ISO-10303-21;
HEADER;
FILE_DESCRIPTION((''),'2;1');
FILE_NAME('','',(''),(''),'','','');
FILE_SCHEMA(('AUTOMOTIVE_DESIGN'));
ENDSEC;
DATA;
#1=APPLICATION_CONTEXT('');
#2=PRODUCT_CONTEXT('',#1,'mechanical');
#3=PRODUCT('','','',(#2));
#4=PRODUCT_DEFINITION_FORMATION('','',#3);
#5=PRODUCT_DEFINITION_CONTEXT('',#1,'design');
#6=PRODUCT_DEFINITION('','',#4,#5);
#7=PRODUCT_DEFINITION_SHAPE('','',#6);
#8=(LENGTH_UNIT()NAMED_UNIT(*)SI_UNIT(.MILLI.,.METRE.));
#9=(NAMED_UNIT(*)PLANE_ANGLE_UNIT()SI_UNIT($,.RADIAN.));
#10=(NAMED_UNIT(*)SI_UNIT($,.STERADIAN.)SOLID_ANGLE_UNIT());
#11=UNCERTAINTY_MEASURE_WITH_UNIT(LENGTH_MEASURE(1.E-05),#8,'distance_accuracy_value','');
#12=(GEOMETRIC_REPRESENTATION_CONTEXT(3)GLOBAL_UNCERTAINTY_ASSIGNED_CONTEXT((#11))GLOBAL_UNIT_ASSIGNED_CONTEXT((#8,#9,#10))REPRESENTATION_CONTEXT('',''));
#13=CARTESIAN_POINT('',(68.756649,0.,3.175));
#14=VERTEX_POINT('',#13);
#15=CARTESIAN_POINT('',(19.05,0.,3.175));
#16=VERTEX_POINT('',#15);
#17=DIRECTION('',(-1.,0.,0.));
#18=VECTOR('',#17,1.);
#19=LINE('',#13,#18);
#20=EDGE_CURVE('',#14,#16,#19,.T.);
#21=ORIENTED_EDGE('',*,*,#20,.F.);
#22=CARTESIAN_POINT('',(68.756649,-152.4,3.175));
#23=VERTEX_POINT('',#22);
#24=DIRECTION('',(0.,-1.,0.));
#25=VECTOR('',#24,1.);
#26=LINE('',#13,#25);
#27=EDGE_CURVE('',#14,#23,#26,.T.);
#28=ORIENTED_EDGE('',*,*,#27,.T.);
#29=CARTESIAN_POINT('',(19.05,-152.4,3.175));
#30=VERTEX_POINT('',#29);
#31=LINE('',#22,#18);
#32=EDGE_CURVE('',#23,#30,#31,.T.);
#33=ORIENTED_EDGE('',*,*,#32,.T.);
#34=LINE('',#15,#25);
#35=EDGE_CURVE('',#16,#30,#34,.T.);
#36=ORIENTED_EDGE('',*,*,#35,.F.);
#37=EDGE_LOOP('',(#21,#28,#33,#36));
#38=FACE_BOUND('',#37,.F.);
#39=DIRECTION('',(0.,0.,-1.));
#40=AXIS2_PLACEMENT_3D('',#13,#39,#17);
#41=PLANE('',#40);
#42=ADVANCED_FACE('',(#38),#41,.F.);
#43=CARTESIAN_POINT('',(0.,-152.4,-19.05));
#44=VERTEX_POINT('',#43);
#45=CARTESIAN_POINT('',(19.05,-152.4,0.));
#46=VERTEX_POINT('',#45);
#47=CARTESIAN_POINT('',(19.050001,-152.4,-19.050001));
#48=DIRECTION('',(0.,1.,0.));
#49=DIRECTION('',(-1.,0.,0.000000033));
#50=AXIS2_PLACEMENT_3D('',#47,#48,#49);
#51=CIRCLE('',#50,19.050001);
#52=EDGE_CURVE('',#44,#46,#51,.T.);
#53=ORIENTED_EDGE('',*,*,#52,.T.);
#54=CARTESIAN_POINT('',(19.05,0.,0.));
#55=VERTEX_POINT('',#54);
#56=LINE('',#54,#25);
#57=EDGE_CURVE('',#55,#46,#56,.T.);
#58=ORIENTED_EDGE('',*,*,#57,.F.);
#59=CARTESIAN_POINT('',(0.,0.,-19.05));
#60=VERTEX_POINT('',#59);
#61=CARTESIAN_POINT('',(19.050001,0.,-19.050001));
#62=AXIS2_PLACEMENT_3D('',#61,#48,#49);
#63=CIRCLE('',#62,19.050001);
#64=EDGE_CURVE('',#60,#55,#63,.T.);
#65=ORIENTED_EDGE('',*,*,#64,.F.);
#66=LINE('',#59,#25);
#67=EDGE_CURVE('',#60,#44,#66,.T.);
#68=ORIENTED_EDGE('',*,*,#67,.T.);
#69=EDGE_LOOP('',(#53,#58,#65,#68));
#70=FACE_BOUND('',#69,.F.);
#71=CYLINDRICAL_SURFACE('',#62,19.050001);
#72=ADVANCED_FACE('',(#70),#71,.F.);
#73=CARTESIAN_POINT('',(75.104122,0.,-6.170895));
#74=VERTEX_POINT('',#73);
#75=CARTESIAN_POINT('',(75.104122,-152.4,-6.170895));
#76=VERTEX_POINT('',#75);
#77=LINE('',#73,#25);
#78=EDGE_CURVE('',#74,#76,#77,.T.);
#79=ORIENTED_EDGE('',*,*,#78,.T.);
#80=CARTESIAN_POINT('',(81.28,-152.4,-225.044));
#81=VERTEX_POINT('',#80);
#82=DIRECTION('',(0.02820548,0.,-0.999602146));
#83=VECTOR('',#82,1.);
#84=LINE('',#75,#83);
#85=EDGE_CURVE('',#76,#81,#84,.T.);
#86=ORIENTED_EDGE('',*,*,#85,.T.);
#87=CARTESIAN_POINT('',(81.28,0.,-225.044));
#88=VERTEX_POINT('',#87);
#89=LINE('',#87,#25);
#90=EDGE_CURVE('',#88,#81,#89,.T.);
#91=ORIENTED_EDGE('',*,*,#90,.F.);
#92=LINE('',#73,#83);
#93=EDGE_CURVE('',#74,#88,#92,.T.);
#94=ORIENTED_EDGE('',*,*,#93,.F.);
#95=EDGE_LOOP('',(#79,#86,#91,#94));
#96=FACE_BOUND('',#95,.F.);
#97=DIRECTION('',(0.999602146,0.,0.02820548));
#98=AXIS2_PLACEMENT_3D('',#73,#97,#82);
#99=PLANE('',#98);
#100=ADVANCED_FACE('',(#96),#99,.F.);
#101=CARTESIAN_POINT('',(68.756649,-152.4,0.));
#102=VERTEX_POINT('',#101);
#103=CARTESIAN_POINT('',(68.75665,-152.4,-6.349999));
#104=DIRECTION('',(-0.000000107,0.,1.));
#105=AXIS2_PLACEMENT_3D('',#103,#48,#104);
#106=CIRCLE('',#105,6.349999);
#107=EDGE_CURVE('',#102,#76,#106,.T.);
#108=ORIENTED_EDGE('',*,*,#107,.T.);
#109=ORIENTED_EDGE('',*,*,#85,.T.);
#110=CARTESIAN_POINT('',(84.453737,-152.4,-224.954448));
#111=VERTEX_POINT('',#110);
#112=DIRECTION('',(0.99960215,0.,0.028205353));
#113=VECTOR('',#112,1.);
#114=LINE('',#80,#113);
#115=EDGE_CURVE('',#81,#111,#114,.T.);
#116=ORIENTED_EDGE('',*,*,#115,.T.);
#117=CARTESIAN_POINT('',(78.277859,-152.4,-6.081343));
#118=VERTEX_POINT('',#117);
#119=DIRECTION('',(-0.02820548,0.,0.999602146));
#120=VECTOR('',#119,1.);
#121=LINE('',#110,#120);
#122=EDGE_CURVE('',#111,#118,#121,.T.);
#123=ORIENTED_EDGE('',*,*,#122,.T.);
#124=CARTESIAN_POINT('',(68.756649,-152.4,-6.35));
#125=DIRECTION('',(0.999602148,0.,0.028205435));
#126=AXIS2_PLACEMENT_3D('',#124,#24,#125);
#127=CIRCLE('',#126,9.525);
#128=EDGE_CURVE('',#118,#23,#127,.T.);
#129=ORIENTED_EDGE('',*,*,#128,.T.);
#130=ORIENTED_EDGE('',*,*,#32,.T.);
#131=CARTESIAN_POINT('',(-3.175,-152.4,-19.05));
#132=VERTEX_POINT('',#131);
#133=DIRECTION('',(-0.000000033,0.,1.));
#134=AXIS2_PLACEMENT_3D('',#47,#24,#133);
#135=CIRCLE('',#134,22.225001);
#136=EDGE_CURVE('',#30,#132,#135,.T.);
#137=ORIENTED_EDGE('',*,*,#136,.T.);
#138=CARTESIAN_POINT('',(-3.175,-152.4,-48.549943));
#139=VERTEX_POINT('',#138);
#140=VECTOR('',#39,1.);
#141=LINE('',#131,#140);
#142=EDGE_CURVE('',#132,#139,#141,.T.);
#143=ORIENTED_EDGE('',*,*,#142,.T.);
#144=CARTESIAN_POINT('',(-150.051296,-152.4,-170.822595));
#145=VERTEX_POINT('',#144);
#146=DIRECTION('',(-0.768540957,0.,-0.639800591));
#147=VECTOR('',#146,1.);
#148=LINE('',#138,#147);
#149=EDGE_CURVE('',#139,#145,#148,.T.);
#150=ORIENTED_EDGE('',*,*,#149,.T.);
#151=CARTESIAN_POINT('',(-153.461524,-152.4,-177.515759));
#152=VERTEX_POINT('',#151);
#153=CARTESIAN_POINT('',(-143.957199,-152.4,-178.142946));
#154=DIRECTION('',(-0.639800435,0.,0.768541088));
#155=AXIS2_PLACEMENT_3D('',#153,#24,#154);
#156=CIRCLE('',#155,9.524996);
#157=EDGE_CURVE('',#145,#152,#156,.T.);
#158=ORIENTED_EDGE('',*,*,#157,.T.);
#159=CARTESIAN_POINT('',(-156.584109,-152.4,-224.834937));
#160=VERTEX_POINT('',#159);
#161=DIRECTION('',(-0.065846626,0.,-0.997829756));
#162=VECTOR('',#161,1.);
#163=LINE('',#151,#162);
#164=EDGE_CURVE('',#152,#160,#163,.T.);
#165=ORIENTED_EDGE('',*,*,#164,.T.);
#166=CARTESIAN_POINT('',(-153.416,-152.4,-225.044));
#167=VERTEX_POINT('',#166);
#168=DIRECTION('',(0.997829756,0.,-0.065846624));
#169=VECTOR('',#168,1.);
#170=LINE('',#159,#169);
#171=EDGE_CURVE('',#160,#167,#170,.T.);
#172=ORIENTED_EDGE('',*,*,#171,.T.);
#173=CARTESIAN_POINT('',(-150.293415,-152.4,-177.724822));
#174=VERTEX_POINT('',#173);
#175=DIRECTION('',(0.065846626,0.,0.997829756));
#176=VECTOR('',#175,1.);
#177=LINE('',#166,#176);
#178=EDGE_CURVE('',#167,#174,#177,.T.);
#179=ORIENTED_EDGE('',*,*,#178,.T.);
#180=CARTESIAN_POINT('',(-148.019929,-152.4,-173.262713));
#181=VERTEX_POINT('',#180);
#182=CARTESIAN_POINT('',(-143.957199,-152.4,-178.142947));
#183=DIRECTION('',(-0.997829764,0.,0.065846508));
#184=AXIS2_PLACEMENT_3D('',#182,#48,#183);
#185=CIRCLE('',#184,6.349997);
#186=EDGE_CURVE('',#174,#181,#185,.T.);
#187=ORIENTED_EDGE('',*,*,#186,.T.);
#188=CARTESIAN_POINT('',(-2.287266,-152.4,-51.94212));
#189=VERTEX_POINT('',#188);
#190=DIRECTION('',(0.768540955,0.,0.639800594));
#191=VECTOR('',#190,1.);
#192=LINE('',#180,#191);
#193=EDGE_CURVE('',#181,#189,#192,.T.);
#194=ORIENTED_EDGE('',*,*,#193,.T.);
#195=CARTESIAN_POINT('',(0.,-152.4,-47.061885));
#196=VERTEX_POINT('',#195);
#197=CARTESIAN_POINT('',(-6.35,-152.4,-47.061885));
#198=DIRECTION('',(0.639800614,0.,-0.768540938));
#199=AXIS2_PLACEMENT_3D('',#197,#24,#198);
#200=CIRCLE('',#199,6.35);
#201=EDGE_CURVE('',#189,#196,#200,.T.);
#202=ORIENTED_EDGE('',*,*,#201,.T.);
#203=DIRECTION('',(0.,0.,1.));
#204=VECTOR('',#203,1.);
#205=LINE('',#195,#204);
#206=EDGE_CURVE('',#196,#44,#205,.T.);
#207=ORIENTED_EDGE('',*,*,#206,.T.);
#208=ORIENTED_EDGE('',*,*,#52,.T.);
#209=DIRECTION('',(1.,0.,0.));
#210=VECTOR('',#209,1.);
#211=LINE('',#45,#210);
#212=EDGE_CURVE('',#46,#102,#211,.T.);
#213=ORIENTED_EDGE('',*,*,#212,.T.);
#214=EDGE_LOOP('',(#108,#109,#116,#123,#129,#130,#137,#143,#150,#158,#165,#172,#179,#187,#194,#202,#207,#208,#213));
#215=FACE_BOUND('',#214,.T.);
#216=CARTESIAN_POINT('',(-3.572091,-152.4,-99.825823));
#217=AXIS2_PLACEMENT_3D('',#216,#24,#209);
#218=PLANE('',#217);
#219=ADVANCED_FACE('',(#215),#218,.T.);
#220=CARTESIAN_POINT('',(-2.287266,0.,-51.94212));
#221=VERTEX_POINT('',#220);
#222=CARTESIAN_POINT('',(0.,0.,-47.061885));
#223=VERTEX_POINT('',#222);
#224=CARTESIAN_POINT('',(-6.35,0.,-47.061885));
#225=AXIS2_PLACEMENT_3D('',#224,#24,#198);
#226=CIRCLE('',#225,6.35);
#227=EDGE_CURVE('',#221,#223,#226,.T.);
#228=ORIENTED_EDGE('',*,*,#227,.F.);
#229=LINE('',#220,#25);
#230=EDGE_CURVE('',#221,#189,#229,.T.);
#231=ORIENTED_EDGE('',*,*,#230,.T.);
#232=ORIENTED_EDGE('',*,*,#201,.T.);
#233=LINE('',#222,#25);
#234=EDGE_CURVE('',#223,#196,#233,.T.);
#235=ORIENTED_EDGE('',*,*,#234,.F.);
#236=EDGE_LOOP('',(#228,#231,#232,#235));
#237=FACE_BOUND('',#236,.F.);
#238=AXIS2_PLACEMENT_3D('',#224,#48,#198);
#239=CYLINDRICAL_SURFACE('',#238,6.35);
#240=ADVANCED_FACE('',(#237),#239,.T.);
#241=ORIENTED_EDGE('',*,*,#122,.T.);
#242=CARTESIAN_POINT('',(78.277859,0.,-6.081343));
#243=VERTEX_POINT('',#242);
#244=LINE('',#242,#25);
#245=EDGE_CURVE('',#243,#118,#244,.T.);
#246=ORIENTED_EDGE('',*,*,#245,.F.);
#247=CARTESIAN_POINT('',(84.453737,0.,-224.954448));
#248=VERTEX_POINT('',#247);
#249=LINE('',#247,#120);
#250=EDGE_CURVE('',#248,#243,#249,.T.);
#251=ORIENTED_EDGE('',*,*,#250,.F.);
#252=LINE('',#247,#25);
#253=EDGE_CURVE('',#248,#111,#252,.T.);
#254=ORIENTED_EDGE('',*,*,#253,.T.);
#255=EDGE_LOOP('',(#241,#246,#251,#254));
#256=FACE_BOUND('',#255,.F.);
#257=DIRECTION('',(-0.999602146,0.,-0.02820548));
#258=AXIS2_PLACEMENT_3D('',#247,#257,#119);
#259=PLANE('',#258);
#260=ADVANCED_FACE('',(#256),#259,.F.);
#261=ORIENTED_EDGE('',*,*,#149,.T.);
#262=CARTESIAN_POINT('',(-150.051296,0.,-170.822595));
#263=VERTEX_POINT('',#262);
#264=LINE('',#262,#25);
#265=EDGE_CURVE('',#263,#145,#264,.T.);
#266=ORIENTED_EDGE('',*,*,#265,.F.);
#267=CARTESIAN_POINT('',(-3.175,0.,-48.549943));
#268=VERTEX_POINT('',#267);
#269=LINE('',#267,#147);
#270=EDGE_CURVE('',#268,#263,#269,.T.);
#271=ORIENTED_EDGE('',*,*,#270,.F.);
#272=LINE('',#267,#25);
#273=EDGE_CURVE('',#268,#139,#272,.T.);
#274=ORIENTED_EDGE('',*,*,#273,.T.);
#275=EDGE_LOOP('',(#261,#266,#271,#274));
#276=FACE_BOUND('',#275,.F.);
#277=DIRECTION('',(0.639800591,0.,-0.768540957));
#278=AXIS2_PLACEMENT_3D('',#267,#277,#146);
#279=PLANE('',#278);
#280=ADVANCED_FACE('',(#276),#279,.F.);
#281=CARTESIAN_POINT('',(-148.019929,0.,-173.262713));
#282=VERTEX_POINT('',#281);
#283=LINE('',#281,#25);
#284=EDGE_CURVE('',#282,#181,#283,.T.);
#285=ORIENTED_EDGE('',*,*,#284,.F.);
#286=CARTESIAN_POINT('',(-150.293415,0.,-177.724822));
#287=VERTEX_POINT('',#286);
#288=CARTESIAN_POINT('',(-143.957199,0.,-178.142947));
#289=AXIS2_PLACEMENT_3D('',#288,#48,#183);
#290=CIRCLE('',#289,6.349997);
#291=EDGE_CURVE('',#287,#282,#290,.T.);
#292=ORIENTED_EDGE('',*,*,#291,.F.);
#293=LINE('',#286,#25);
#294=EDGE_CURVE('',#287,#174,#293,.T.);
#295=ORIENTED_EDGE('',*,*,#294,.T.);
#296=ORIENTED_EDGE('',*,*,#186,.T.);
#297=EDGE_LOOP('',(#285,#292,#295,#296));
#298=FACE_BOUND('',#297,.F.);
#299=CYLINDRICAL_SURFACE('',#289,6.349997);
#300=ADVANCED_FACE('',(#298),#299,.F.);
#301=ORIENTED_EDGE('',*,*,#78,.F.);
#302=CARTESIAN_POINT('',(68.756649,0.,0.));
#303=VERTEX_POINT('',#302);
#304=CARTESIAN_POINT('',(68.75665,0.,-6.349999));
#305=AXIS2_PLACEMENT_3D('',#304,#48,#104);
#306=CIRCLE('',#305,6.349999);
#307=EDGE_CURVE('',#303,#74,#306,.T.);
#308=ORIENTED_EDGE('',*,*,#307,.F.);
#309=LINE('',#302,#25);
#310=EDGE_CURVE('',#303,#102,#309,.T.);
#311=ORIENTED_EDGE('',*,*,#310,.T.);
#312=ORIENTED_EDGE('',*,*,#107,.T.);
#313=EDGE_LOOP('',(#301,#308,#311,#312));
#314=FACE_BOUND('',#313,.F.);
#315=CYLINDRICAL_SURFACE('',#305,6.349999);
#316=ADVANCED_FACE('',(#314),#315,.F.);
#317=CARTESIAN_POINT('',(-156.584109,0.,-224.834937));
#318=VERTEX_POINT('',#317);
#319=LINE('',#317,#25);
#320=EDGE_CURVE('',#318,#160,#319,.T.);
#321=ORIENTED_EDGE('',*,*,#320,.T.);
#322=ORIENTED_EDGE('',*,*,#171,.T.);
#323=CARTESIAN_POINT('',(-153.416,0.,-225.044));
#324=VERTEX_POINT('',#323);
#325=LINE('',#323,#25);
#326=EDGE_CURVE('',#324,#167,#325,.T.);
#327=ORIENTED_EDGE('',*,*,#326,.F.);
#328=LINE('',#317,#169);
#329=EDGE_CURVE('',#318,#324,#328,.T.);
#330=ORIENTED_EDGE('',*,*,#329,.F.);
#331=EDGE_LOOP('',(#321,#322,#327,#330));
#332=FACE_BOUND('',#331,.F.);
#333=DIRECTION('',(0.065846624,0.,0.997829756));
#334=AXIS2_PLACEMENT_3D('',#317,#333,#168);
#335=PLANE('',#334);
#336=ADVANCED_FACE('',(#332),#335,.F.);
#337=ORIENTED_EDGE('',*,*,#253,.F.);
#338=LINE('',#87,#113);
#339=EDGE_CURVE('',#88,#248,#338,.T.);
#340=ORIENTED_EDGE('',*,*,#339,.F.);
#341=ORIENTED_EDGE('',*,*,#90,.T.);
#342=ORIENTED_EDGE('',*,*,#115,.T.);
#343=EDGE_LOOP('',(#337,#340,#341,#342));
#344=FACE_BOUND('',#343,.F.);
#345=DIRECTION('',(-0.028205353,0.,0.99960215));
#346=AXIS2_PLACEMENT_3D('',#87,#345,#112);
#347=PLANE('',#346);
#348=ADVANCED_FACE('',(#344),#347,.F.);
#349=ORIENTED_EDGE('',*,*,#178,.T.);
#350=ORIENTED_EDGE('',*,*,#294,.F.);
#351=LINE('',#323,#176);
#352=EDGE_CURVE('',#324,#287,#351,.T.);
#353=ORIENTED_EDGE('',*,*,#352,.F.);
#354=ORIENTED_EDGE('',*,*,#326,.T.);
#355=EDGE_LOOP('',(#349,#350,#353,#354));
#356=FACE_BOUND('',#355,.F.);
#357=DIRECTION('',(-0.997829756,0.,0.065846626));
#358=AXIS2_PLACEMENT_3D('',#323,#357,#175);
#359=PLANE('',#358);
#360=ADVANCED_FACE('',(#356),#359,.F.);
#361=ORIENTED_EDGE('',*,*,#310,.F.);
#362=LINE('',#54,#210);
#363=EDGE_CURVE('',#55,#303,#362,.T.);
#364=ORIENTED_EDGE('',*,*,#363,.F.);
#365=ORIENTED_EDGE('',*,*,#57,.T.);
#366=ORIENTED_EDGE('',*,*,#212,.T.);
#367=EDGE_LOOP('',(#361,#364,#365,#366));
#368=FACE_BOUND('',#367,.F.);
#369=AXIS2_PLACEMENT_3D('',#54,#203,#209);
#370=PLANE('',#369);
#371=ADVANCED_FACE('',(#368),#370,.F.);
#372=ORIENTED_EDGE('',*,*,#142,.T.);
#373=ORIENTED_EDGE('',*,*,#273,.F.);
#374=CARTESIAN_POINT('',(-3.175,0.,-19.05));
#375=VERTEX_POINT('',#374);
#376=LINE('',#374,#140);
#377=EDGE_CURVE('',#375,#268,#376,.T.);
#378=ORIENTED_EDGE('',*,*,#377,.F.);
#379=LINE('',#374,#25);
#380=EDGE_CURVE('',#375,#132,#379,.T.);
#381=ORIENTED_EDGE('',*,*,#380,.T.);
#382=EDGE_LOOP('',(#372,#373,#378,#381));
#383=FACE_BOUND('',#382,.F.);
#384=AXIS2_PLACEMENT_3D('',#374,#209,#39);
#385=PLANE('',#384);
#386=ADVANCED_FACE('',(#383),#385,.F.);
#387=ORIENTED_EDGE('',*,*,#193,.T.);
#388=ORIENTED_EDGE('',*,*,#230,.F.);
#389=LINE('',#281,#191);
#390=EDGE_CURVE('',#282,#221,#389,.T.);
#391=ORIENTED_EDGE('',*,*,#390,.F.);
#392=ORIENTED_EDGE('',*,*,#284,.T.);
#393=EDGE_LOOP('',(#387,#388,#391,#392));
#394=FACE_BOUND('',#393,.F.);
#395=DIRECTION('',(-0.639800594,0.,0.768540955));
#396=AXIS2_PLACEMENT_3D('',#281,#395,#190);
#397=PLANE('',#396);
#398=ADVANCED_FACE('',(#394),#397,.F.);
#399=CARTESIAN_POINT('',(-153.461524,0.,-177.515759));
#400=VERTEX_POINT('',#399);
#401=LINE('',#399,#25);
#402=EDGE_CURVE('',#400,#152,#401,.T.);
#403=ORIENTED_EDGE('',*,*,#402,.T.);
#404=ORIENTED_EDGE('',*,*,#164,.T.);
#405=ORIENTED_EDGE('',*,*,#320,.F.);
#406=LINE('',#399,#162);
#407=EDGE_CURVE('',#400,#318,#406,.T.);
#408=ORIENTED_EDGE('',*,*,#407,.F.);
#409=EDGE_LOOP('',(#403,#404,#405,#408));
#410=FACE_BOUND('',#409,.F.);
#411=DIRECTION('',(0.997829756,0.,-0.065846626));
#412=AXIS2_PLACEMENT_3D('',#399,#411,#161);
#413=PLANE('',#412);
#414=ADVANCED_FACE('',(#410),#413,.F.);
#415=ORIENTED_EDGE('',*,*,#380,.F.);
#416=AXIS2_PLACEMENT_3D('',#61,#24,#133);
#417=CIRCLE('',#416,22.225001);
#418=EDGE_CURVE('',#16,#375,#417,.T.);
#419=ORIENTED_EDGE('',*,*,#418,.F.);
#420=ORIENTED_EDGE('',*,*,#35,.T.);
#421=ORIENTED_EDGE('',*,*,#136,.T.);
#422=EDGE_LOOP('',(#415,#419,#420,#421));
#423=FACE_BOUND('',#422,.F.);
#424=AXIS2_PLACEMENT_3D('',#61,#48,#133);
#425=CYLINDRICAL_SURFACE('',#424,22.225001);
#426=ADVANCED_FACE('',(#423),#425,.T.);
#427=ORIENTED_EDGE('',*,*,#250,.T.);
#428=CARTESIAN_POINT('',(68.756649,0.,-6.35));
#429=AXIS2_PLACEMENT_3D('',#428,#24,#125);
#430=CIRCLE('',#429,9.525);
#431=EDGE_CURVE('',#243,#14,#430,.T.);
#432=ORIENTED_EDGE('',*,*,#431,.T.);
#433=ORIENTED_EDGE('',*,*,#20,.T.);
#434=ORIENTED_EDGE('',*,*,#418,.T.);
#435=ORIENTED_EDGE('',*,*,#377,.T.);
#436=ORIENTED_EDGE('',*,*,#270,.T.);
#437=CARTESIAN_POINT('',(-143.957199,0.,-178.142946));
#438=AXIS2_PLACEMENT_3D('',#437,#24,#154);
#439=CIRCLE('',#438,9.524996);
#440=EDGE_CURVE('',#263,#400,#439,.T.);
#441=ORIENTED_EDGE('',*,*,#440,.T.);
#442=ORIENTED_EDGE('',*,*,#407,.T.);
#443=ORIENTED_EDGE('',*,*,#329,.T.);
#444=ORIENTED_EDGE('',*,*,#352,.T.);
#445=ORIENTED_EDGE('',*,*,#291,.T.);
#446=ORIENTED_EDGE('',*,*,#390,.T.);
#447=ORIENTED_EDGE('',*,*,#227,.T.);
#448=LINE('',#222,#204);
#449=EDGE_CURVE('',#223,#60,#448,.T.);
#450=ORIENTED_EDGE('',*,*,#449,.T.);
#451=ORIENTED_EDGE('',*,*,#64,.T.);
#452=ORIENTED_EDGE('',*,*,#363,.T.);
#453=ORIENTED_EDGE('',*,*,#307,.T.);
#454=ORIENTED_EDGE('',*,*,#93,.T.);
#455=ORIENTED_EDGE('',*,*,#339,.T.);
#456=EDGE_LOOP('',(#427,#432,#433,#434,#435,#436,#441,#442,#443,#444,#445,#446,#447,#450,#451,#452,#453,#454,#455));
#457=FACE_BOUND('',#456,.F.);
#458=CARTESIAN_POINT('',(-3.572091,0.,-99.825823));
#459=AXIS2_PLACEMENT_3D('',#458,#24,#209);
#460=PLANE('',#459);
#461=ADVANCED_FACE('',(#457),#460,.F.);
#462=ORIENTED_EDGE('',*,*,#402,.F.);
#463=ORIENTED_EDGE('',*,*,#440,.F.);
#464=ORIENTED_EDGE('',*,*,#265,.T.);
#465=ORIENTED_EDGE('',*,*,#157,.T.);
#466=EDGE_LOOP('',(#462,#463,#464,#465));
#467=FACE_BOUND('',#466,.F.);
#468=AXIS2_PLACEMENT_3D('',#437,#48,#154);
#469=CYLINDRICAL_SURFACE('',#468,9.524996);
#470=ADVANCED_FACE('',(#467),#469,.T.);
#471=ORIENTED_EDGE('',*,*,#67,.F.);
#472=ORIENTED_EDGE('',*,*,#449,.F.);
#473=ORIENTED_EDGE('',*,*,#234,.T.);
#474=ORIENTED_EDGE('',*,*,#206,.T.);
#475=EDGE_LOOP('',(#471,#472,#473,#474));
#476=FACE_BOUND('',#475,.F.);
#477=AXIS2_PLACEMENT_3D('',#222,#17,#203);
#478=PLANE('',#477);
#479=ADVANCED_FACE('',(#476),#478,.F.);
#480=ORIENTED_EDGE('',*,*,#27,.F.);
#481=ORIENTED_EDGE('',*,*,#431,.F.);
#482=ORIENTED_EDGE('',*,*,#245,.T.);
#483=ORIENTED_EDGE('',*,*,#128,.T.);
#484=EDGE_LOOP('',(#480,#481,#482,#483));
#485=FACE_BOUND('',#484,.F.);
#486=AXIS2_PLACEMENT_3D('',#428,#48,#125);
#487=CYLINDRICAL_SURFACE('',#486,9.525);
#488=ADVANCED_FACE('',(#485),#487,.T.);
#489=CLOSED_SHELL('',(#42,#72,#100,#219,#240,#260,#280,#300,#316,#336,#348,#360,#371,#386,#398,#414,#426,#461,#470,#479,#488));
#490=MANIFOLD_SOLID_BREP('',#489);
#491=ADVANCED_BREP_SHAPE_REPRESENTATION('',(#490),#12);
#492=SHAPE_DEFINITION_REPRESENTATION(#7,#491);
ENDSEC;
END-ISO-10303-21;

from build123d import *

# Parameters (mm, degrees)
F1_DEPTH = 152.4


with BuildPart() as f1:
    # F0 (on Front) → F1 (new body)
    with BuildSketch(Plane.XZ):
        with BuildLine():
            ThreePointArc((0, -19.05), (5.579616, -5.579616), (19.05, 0))
            Line((19.05, 0), (68.756649, 0))
            ThreePointArc((68.756649, 0), (73.183001, -1.796989), (75.104122, -6.170895))
            Line((75.104122, -6.170895), (81.28, -225.044))
            Line((81.28, -225.044), (84.453737, -224.954448))
            Line((84.453737, -224.954448), (78.277859, -6.081343))
            ThreePointArc((78.277859, -6.081343), (75.396177, 0.479516), (68.756649, 3.175))
            Line((68.756649, 3.175), (19.05, 3.175))
            ThreePointArc((19.05, 3.175), (3.334552, -3.334552), (-3.175, -19.05))
            Line((-3.175, -19.05), (-3.175, -48.549943))
            Line((-3.175, -48.549943), (-150.051296, -170.822595))
            ThreePointArc((-150.051296, -170.822595), (-152.444089, -173.818798), (-153.461524, -177.515759))
            Line((-153.461524, -177.515759), (-156.584109, -224.834937))
            Line((-156.584109, -224.834937), (-153.416, -225.044))
            Line((-153.416, -225.044), (-150.293415, -177.724822))
            ThreePointArc((-150.293415, -177.724822), (-149.615125, -175.260182), (-148.019929, -173.262713))
            Line((-148.019929, -173.262713), (-2.287266, -51.94212))
            ThreePointArc((-2.287266, -51.94212), (-0.60018, -49.756708), (0, -47.061885))
            Line((0, -47.061885), (0, -19.05))
        make_face()
    extrude(amount=F1_DEPTH)


solid = f1.part
